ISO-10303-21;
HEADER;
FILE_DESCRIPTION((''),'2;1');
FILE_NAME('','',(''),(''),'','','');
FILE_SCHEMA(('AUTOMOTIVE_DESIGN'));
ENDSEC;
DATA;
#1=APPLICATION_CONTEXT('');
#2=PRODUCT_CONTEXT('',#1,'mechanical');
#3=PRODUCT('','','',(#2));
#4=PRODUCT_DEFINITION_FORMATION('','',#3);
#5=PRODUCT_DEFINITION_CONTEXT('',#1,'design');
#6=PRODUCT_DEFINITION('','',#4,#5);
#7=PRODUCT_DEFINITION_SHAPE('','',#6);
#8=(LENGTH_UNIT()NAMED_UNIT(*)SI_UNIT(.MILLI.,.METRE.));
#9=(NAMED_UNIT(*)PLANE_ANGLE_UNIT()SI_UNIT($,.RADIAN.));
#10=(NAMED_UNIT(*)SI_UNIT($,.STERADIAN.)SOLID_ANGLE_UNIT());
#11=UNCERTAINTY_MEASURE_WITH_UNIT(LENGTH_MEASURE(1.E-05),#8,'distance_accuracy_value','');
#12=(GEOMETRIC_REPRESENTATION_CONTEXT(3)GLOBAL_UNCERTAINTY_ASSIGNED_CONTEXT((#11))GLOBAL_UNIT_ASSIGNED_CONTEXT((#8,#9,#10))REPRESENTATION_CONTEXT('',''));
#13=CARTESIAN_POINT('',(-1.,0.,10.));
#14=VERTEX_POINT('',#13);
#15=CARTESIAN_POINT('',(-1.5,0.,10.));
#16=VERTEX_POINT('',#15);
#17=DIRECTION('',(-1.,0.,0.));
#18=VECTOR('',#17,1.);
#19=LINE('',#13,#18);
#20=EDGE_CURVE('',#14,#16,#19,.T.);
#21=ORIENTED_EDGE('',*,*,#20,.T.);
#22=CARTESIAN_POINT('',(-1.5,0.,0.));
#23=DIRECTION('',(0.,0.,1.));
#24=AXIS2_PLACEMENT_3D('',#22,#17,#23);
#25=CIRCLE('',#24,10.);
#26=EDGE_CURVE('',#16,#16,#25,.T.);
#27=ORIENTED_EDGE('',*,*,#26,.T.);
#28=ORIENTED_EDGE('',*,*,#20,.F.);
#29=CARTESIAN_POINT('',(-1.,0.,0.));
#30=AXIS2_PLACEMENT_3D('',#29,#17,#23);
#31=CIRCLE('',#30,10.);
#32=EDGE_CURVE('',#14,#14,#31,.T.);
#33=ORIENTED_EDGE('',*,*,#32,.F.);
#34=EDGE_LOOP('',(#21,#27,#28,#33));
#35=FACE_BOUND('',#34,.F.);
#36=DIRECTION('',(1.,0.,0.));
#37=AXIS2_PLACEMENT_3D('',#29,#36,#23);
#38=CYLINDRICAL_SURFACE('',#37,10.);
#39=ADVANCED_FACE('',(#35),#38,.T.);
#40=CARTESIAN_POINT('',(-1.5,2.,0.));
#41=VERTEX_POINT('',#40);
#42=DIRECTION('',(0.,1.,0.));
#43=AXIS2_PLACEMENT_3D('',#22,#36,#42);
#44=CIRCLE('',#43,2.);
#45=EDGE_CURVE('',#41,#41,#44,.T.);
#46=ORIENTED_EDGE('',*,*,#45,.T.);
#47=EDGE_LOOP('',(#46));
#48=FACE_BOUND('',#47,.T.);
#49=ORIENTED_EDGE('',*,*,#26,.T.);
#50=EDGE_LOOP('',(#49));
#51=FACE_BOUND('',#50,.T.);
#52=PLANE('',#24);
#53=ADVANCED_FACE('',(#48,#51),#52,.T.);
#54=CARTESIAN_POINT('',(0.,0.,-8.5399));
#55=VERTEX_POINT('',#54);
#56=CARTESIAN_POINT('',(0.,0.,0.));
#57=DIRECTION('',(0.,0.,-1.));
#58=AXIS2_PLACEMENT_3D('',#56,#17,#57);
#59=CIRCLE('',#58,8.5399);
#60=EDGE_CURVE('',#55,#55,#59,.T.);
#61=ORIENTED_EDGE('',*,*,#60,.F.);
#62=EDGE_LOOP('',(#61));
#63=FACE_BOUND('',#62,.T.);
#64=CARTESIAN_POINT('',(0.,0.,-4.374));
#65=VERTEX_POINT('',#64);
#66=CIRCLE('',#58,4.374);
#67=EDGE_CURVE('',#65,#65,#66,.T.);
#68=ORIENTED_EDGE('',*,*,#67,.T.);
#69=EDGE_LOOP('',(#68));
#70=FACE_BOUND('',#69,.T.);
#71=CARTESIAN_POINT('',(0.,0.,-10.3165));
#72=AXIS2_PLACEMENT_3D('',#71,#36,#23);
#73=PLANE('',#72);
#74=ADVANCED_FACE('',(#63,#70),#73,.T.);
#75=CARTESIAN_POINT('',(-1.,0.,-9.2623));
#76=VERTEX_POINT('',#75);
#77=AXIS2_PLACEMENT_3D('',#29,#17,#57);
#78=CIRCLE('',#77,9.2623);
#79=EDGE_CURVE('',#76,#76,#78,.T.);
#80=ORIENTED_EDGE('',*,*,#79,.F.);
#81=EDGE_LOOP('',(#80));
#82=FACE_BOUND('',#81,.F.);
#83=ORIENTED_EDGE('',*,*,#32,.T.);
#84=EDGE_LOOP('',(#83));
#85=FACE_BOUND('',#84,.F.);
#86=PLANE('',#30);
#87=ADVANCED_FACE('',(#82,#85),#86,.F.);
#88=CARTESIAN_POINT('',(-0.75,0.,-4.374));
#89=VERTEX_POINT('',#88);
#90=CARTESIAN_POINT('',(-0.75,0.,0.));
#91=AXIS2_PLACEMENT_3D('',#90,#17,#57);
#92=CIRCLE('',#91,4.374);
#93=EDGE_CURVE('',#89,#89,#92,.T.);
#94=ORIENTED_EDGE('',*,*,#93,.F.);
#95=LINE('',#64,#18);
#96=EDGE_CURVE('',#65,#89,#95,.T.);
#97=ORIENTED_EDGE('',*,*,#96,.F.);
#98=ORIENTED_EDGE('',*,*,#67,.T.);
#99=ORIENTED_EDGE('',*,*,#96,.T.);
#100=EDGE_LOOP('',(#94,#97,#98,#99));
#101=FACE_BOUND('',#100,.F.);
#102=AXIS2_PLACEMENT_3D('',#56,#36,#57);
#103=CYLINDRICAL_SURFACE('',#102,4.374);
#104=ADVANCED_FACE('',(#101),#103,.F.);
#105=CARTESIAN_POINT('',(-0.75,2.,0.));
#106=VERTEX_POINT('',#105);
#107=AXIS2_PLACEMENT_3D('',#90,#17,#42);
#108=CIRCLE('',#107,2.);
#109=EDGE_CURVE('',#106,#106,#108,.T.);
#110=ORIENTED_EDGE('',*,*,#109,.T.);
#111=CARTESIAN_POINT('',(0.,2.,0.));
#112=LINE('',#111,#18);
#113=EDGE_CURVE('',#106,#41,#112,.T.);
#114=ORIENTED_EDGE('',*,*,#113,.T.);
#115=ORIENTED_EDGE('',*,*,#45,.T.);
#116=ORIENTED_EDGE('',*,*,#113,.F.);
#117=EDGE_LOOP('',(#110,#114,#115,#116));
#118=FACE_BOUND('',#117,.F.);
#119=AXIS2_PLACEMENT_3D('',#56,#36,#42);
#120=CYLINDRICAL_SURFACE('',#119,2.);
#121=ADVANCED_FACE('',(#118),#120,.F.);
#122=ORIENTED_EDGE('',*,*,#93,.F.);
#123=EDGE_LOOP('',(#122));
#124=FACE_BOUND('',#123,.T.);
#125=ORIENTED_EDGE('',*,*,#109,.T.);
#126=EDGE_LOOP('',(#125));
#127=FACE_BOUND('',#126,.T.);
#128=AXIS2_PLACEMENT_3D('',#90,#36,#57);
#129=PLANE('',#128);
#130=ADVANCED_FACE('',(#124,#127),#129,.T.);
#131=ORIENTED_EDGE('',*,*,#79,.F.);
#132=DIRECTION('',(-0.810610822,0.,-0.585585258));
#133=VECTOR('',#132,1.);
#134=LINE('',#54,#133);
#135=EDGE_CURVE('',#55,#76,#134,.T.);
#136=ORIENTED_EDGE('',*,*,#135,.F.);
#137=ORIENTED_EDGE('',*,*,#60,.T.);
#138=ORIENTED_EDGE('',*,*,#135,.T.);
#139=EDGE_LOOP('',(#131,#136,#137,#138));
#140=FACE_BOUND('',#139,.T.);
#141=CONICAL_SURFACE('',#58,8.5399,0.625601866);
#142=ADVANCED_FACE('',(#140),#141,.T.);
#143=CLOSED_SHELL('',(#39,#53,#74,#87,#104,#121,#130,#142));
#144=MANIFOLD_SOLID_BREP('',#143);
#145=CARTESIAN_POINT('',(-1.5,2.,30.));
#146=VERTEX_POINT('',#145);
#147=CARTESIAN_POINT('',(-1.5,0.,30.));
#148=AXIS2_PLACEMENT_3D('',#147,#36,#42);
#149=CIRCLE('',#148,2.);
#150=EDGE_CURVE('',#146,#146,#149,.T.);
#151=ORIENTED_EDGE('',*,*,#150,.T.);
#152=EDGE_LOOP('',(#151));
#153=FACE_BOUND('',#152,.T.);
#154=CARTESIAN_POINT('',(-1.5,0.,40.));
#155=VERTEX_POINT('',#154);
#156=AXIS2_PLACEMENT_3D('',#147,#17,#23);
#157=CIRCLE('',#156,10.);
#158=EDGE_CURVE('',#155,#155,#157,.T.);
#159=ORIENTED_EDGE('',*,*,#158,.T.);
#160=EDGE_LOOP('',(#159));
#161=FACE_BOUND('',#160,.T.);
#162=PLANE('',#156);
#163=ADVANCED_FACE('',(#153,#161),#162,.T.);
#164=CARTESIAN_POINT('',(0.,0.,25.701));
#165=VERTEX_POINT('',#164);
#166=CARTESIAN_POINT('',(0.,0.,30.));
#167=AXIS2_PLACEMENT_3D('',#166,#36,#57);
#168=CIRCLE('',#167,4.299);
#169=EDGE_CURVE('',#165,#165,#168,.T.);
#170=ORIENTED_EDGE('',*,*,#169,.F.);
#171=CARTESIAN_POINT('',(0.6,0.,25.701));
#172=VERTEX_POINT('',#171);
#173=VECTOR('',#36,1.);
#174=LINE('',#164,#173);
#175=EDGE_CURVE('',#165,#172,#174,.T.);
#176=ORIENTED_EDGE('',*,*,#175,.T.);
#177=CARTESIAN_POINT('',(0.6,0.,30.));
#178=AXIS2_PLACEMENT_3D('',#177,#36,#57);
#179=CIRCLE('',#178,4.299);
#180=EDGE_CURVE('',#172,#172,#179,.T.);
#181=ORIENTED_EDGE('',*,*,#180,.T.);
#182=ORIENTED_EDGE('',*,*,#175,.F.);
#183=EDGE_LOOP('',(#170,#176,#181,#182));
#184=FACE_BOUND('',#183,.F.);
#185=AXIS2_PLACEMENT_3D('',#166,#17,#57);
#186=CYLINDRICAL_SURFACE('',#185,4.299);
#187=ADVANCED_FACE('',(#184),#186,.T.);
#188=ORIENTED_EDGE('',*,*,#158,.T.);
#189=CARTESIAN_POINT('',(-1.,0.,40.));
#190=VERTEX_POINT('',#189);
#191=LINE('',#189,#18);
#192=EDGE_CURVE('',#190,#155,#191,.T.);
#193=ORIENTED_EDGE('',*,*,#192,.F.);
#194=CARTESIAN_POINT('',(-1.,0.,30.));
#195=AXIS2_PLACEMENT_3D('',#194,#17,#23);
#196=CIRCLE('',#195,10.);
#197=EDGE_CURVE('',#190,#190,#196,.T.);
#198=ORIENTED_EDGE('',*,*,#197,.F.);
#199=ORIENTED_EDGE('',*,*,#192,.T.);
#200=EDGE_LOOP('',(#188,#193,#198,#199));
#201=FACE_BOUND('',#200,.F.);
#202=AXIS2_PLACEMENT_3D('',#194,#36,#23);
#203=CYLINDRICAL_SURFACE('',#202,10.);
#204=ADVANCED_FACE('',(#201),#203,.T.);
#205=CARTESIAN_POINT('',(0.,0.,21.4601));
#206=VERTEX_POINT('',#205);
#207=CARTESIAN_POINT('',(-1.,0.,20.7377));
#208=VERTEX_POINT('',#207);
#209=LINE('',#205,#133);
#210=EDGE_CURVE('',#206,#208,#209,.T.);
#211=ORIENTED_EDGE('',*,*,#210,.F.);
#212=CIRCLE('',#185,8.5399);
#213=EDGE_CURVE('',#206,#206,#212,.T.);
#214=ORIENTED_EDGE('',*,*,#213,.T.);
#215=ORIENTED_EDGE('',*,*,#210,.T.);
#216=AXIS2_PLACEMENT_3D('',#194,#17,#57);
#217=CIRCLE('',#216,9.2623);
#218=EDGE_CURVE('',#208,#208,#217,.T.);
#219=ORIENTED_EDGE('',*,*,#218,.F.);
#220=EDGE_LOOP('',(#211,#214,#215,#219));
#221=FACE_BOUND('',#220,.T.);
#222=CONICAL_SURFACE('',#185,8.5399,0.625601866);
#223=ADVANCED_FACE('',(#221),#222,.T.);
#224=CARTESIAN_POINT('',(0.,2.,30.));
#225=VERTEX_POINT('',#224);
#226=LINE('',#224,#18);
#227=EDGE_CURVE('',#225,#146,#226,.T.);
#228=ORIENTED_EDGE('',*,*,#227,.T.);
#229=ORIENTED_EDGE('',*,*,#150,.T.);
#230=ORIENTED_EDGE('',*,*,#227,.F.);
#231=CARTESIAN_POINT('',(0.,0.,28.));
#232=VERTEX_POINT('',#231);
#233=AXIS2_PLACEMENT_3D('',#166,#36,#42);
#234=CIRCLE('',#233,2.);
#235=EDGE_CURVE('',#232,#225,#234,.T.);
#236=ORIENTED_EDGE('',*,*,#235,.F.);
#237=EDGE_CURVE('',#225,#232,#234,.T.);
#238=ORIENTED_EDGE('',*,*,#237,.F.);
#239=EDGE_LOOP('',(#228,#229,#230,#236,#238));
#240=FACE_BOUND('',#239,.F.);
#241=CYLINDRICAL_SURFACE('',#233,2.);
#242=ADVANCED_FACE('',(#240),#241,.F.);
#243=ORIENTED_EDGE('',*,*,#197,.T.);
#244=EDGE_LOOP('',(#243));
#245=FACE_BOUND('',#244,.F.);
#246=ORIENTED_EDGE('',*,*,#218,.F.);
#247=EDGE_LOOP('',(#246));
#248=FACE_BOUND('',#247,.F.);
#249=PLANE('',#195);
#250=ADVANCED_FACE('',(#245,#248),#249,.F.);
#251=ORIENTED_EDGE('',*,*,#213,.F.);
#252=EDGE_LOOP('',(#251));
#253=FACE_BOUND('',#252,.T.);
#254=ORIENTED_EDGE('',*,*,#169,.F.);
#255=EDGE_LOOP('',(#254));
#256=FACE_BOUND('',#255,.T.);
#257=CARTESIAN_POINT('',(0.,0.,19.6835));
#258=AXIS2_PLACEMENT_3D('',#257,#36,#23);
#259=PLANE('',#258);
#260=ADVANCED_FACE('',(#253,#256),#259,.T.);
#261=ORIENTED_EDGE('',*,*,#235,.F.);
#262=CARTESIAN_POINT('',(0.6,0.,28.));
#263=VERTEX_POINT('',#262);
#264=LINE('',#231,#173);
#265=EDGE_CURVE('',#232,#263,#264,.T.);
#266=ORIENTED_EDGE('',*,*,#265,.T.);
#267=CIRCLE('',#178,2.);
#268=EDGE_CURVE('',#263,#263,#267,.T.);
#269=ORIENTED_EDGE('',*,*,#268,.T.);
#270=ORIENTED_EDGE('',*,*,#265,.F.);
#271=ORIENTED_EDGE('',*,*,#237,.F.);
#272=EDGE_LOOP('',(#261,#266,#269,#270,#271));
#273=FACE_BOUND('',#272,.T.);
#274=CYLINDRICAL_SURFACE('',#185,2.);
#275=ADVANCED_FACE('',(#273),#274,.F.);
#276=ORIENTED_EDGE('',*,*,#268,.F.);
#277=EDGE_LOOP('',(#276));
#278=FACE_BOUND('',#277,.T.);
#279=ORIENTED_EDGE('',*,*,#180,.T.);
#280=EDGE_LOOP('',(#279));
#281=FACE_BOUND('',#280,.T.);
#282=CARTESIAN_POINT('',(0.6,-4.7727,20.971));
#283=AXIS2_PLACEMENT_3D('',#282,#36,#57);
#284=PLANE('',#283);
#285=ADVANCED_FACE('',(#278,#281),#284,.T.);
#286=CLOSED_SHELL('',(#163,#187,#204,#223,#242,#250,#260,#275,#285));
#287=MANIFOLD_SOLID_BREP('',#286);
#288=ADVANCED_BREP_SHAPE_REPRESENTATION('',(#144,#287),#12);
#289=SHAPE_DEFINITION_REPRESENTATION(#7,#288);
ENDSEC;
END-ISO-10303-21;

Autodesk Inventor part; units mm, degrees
ref_plane "XY Plane" through (0, 0, 0) normal (0, 0, 1) x (1, 0, 0)
sketch "Sketch1" plane through (0, 0, 0) normal (1, 0, 0) x (0, 1, 0)
  circle A0 centre (0, 0) radius 8.5399
  dimension "d0" = 17.0798
extrude "Extrusion1" add sketch "Sketch1" along normal mid plane 2
sketch "Sketch2" plane through (-1, 0, 0) normal (-1, 0, 0) x (0, 0, 1)
  circle A0 centre (0, 0) radius 10
  dimension "d41" = 20
extrude "Extrusion2" add sketch "Sketch2" along normal blind 0.5
sketch "Sketch3" plane through (-1.5, 0, 0) normal (-1, 0, 0) x (0, 0, 1)
  point P0 (0, 0)
sketch "Sketch5" plane through (0, 0, 0) normal (0, 1, 0) x (-1, 0, 0)
  circle A0 centre (0, -0.6447) radius 0.3263
  line L0 (-1.5, 0) -> (1.5, 0)
  circle A1 centre (0, 0.6447) radius 0.3263
  point P0 (0, 0)
sketch "Sketch6" plane through (0, 0, 0) normal (0, 1, 0) x (-1, 0, 0)
  line L0 (1, -8.5399) -> (1, 8.5399) projected
  line L1 (1, -8.5399) -> (-1, -8.5399) projected
  line L2 (0, -8.5399) -> (1, -5.5929)
  line L3 (1, -10) -> (1, 10) projected
  line L4 (0, -8.5399) -> (-1, -9.2623)
  line L5 (-1, -9.2623) -> (-1, -8.5399)
  line L6 (1, -8.5399) -> (1, -9.2623)
  line L7 (-2.6263, 0) -> (3.0126, 0)
  line L8 (-1, -9.2623) -> (-1, -8.5399)
  line L9 (0, -8.5399) -> (1, -8.5399)
  point P0 (0, 0)
revolve "Revolution1" add sketch "Sketch6" angle 360 about axis through (2.6263, 0, 0) along (-1, 0, 0) contours L4 L5 L1
mirror "Mirror3" about plane through (0, 0, 0) normal (1, 0, 0) of "Revolution1"
sketch "Sketch7" plane through (0, 0, 0) normal (0, 1, 0) x (-1, 0, 0)
  line L0 (-5.9098, -10.3165) -> (0, -10.3165)
  line L1 (0, -10.3165) -> (0, 11.166)
  line L2 (0, 11.166) -> (-5.9098, 11.166)
  line L3 (-5.9098, 11.166) -> (-5.9098, -10.3165)
  point P0 (0, 0)
extrude "Extrusion6" cut sketch "Sketch7" along normal mid plane 24.5
sketch "Sketch8" plane through (0, 0, 0) normal (1, 0, 0) x (0, 1, 0)
  circle A0 centre (0, 0) radius 2
  dimension "d15" = 4
extrude "Extrusion7" cut sketch "Sketch8" against normal through all
sketch "Sketch9" plane through (0, 0, 0) normal (1, 0, 0) x (0, 0, -1)
  circle A0 centre (0, 0) radius 4.374
  line L0 (1.4796, -4.1161) -> (1.4796, -1.3457)
  circle A1 centre (0, 0) radius 2 projected
  arc A2 (1.4796, -1.3457) -> (-1.4796, -1.3457) centre (0, 0) ccw
  line L1 (0.971, -8.4845) -> (0.971, 2) projected
  line L2 (-1.4796, -4.1161) -> (-1.4796, -1.3457)
  line L3 (-0.971, 2) -> (-0.971, -8.4845) projected
  point P0 (0.971, -4.7727)
  point P1 (0, 2)
  point P2 (0, 2)
  point P3 (-0.971, -4.7727)
  point P4 (-1.4796, -1.3457)
  point P5 (0.971, -7.875)
  point P6 (-0.971, -7.875)
  dimension "d22" = 0.5086
  dimension "d23" = 0.5086
  dimension "d36" = 8.7479
extrude "Extrusion8" cut sketch "Sketch9" against normal blind 0.75 contours A0 L0 A1 L2 | L2 A1 L3 A0 | A0 L1 A1 L0 | L3 A1 L1 A0
pattern_linear "Rectangular Pattern3" count 2 spacing 30 along (0, 0, 1) of "Extrusion1", "Extrusion2", "Revolution1", "Extrusion6", "Extrusion7", "Mirror3"
sketch "Sketch10" plane through (0, -4.7727, 20.971) normal (1, 0, 0) x (0, 0, -1)
  arc A0 (-9.029, 6.7727) -> (-9.029, 6.7727) centre (-9.029, 4.7727) ccw projected
  circle A1 centre (-9.029, 4.7727) radius 2
  circle A2 centre (-9.029, 4.7727) radius 4.299
  point P0 (20.971, 4.7727)
  point P1 (1.942, 0)
  point P2 (0, 0)
  dimension "d44" = 8.5979
extrude "Extrusion9" add sketch "Sketch10" along normal blind 0.6
sketch "Sketch11" plane through (0, 0, 0) normal (1, 0, 0) x (0, 0, 1)
  line L0 (-15.9707, 13.7758) -> (17.9357, 13.7758)
  line L1 (17.9357, 13.7758) -> (17.9357, -12.8142)
  line L2 (17.9357, -12.8142) -> (-15.9707, -12.8142)
  line L3 (-15.9707, -12.8142) -> (-15.9707, 13.7758)
  point P0 (0, 0)
ref_plane "Work Plane7" through (0, 0, 30) normal (1, 0, 0) x (0, 1, 0)
equation "\"tolerancia\" = 0.15"
properties part number "Polea_pulgar_falange1"
